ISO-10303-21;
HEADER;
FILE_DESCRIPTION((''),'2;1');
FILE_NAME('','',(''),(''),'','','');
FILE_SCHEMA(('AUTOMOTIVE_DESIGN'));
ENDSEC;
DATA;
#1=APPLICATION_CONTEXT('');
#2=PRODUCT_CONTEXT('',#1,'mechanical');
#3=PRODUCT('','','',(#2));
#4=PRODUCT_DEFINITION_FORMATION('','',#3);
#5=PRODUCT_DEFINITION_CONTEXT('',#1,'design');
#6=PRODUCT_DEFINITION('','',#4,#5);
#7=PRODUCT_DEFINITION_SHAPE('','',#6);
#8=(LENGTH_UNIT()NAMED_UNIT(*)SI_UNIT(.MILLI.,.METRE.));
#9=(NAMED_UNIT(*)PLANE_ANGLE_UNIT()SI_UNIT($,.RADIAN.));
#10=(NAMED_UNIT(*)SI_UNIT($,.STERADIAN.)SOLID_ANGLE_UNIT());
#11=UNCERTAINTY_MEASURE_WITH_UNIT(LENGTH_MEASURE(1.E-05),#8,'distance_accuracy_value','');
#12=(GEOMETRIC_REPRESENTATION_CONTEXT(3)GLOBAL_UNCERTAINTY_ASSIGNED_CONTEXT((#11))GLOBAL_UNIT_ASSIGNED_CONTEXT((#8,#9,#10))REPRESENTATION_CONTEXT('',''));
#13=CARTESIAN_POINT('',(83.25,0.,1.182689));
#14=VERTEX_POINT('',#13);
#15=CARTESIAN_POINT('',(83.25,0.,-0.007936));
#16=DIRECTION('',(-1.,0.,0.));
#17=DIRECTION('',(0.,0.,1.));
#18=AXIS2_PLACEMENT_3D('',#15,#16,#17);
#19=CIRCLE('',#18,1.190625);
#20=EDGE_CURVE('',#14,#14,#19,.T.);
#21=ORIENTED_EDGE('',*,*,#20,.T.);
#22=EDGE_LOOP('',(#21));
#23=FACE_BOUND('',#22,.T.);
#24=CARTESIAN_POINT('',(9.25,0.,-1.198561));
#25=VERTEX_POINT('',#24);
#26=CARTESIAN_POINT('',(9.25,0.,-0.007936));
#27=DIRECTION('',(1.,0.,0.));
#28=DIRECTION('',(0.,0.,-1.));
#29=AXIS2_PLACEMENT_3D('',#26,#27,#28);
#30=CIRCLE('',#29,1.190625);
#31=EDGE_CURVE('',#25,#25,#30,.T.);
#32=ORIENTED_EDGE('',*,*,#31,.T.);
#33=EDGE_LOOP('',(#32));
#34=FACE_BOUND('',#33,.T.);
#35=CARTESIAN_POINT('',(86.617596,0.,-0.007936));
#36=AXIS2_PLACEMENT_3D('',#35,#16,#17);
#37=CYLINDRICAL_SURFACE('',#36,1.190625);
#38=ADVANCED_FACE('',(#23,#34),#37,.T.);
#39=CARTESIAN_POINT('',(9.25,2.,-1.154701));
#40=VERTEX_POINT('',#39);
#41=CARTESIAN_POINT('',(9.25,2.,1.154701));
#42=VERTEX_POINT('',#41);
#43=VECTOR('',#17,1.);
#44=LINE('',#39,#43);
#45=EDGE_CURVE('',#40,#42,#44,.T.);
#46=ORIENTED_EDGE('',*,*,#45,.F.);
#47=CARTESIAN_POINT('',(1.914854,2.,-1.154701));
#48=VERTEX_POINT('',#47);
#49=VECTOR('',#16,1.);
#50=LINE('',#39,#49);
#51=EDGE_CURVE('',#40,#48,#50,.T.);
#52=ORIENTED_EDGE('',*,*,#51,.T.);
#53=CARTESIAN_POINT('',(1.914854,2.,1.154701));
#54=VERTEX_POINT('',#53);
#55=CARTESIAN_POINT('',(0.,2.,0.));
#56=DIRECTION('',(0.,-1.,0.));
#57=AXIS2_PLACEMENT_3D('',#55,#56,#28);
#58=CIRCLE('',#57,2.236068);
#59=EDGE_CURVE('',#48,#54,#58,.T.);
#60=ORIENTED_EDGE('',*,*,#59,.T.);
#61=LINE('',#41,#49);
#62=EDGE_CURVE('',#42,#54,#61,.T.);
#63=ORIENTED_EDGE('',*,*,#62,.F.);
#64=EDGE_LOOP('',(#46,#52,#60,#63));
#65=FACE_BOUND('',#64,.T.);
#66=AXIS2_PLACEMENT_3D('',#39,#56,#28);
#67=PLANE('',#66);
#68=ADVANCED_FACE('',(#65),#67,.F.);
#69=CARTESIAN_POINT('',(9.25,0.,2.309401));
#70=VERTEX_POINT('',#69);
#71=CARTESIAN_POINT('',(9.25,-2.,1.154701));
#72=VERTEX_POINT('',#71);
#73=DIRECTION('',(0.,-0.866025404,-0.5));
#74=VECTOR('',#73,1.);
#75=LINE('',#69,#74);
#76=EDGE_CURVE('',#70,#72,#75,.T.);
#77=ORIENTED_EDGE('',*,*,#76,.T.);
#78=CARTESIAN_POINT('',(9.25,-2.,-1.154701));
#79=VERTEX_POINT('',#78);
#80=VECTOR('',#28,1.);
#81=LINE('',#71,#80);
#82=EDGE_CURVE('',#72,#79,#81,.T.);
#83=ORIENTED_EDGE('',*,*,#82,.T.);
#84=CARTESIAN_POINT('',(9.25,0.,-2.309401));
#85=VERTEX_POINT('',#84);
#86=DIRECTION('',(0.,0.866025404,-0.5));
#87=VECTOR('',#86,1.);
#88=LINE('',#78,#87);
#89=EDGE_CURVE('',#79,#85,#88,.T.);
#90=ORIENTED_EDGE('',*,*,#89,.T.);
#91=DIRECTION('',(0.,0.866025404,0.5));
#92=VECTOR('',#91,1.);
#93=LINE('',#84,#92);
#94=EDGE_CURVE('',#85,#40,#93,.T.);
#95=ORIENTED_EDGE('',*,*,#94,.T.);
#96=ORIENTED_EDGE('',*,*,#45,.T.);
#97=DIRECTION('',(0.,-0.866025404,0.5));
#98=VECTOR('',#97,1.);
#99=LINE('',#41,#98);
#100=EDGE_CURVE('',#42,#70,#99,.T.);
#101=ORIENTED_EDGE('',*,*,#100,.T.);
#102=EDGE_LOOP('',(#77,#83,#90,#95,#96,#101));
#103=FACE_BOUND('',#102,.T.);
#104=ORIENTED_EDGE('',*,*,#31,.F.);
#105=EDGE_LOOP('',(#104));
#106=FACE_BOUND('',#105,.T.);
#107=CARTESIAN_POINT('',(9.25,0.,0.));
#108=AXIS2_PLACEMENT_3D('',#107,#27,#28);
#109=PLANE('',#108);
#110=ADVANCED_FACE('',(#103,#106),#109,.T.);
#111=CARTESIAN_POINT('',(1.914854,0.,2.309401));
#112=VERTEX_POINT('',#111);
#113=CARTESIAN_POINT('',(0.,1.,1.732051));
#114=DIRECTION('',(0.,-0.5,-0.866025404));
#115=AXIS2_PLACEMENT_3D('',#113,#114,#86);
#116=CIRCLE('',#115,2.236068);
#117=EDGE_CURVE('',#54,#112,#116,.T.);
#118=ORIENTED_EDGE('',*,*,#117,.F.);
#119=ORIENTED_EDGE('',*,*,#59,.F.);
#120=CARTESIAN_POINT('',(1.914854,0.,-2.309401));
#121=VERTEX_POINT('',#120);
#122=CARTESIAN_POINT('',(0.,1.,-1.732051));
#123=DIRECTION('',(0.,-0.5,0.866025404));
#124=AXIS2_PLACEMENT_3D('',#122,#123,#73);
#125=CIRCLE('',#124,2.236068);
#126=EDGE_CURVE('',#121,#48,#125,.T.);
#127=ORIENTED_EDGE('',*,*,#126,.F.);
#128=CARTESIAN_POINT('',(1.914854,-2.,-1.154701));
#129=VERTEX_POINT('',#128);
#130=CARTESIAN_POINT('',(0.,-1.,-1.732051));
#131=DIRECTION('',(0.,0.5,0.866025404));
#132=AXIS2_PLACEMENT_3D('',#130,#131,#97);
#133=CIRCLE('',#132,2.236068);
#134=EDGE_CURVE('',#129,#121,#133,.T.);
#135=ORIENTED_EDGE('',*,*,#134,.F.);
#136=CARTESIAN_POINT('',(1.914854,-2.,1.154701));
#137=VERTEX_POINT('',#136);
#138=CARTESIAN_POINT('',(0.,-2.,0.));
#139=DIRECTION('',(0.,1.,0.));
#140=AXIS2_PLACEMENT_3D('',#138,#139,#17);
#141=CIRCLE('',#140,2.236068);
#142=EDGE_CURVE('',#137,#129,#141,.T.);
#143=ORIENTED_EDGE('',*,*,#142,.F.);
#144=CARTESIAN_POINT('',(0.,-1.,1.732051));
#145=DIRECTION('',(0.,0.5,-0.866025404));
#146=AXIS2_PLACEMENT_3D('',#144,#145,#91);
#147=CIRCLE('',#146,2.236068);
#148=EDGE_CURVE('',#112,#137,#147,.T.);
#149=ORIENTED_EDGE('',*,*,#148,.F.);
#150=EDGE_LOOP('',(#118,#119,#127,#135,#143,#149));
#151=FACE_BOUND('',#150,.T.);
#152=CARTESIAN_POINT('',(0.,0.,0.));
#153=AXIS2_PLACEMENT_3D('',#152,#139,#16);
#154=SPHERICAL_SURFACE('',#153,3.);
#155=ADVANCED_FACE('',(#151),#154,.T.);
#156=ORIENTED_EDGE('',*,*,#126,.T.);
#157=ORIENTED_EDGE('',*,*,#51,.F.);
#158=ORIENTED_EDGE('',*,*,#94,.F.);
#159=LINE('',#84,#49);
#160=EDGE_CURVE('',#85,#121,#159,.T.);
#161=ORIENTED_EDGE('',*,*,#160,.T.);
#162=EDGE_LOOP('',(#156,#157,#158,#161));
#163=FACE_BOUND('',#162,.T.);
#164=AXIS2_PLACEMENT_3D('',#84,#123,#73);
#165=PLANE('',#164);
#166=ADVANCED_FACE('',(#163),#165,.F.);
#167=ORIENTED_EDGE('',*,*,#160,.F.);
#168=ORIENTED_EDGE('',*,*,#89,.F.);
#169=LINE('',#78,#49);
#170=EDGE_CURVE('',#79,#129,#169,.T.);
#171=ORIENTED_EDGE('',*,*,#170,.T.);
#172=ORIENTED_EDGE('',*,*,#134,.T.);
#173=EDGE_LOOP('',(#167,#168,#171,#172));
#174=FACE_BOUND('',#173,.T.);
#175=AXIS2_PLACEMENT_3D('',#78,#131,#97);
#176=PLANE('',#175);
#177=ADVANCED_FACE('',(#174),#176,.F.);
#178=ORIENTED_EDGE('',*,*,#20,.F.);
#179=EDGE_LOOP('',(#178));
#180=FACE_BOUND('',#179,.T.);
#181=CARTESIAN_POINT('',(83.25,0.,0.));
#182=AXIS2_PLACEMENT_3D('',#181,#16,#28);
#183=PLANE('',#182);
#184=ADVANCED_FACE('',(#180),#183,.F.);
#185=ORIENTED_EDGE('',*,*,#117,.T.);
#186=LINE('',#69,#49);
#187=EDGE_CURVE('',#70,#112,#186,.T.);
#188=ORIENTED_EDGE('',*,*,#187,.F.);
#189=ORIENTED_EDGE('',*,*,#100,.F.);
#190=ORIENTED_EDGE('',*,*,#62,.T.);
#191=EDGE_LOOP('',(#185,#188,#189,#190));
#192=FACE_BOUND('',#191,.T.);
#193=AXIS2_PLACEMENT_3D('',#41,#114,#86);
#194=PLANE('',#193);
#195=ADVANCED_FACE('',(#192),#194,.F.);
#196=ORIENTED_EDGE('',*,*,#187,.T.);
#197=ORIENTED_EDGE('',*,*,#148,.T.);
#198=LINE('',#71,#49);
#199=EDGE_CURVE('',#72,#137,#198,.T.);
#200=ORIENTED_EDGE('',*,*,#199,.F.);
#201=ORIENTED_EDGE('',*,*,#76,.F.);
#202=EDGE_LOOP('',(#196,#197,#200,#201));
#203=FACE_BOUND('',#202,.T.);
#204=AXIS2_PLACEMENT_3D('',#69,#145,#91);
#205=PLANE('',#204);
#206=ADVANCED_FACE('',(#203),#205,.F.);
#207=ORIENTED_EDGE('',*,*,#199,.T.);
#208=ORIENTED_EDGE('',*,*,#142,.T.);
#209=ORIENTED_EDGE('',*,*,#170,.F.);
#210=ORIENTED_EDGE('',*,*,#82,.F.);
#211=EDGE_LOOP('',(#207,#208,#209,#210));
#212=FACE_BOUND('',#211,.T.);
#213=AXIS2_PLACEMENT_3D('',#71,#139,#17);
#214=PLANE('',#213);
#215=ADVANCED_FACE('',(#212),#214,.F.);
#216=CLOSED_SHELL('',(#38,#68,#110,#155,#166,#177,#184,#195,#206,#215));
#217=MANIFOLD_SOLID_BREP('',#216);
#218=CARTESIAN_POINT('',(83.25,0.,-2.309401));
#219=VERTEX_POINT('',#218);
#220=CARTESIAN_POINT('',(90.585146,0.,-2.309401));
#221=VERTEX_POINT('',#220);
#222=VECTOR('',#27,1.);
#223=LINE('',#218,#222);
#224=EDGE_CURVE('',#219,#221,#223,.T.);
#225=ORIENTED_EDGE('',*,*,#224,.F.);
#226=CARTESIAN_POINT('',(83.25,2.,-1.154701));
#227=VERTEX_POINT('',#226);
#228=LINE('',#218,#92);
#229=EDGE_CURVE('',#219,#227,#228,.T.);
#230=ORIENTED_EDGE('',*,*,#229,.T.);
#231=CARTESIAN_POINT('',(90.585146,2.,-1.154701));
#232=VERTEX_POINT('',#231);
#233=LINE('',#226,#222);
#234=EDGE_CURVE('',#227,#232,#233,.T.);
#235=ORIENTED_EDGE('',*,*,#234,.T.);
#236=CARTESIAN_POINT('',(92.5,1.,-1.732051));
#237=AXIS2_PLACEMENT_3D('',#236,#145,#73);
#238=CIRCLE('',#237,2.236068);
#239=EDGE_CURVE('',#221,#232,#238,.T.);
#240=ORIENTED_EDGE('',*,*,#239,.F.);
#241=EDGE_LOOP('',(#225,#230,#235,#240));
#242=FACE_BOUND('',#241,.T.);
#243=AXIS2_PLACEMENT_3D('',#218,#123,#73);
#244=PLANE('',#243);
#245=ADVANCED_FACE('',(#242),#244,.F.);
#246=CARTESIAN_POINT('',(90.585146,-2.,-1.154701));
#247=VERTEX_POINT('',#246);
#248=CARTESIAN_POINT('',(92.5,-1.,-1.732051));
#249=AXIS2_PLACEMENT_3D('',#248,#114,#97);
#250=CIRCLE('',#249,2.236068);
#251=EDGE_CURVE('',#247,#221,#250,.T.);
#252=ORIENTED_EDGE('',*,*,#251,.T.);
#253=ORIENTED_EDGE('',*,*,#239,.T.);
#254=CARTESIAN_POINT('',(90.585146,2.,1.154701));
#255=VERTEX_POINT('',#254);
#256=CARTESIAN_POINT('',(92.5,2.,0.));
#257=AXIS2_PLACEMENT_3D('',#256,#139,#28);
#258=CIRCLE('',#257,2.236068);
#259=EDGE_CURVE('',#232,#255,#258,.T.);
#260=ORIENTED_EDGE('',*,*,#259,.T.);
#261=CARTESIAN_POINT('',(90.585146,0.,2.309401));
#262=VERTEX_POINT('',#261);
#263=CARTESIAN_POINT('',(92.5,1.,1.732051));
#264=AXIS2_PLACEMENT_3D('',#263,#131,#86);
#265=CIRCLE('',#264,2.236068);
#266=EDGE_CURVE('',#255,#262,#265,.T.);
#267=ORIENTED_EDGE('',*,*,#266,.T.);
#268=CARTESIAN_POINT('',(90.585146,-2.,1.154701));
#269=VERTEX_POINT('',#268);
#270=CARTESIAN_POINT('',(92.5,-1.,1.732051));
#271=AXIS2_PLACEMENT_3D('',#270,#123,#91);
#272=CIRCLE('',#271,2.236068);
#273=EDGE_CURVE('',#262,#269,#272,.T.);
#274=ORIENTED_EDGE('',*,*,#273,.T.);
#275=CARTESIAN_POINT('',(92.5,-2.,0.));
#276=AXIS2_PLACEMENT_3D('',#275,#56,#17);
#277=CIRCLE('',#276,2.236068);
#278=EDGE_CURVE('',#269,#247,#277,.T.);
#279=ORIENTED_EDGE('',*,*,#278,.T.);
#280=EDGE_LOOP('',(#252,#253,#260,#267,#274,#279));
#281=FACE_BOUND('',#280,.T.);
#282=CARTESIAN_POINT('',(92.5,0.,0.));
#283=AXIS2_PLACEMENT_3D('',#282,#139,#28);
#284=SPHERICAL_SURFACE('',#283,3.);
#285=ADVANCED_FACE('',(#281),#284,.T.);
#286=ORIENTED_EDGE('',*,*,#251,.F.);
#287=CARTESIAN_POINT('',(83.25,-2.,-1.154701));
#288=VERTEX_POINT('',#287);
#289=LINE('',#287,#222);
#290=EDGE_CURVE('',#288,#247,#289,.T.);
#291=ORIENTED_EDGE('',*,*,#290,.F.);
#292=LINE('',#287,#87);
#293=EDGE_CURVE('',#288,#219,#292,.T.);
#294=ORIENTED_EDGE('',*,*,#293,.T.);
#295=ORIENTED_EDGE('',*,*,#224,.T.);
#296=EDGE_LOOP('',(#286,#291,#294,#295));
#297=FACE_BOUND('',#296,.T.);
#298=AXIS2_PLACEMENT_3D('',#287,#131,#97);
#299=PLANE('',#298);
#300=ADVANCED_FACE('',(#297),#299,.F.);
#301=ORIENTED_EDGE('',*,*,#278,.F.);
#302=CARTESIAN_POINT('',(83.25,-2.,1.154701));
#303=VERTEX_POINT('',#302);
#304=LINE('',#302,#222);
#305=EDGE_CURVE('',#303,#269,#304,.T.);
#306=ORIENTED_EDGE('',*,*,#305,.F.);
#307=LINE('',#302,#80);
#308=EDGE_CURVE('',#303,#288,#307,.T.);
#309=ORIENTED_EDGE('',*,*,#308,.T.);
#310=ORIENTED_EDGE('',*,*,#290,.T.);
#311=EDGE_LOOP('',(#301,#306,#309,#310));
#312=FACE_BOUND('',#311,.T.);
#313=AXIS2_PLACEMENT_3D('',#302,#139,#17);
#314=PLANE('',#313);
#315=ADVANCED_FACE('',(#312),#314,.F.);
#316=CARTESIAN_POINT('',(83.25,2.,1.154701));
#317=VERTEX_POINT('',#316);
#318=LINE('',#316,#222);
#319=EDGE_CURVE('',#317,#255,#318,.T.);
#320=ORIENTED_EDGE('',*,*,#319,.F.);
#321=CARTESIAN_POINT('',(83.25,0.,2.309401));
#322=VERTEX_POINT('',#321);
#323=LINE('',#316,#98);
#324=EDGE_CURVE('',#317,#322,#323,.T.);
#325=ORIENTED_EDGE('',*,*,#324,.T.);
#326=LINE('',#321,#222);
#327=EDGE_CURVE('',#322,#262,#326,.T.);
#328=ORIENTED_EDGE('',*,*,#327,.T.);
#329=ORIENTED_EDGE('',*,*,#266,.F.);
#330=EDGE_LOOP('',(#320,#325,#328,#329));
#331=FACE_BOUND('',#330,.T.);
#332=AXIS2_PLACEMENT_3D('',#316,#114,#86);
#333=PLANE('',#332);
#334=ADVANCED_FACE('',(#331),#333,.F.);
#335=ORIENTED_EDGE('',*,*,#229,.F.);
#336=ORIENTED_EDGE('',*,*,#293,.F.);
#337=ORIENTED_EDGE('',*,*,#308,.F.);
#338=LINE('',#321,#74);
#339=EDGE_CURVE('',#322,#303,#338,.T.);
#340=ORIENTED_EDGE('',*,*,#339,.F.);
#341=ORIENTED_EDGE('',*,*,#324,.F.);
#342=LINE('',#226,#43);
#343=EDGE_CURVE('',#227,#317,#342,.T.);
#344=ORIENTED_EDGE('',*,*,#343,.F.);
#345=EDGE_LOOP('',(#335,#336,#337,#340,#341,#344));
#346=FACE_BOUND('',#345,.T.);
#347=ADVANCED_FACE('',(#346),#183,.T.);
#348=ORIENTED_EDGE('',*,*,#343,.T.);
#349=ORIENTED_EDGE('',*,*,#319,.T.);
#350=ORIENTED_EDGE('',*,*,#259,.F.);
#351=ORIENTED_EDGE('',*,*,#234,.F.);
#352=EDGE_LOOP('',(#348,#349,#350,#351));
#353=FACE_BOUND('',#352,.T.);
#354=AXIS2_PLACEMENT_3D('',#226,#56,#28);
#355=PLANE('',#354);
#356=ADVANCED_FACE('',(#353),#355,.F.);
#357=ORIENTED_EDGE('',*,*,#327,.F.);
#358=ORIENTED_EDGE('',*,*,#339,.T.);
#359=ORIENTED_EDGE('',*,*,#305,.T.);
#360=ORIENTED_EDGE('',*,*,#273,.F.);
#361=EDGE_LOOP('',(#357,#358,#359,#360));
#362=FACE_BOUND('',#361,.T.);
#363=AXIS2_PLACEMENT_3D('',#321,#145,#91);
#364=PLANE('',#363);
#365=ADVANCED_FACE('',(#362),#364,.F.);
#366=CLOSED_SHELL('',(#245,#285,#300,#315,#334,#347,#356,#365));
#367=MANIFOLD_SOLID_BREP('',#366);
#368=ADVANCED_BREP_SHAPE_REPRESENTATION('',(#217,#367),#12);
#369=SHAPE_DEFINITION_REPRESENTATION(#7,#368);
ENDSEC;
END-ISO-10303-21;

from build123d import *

# Parameters (mm, degrees)
BOSS_EXTRUDE2_DEPTH = 9.25
SKETCH5_R           = 1.190625
BOSS_EXTRUDE3_DEPTH = 74


with BuildPart() as part:
    # Sketch2 → Revolve1 (revolve)
    with BuildSketch(Plane.XY):
        with BuildLine():
            Line((0, 3), (0, -3))
            ThreePointArc((0, -3), (3, 0), (0, 3))
        make_face()
    revolve(axis=Axis((0, 3, 0), (0, -1, 0)))

    # Sketch3 → Boss-Extrude2 (add)
    with BuildSketch(Plane(origin=(0, 0, 0), x_dir=(0, 0, -1), z_dir=(1, 0, 0))):
        Polygon((1.154700538, -2), (2.309401077, 0), (1.154700538, 2), (-1.154700538, 2), (-2.309401077, 0), (-1.154700538, -2), align=None)
    boss_extrude2 = extrude(amount=BOSS_EXTRUDE2_DEPTH)

    # Sketch5 → Boss-Extrude3 (add)
    with BuildSketch(Plane(origin=(9.25, 0, 0), x_dir=(0, 0, -1), z_dir=(1, 0, 0))):
        with Locations(Location((0.007936131, 0, 0), (0, 0, 180))):
            Circle(SKETCH5_R)
    extrude(amount=BOSS_EXTRUDE3_DEPTH)


with BuildPart() as body_2:
    # Sketch7 → Revolve2 (revolve)
    with BuildSketch(Plane(origin=(92.5, 0, 0), x_dir=(0, 0, -1), z_dir=(1, 0, 0))):
        with BuildLine():
            ThreePointArc((0, 3), (3, 0), (0, -3))
            Line((0, -3), (0, 3))
        make_face()
    revolve(axis=Axis((92.5, 3, 0), (0, -1, 0)))

    # Mirror3: Boss-Extrude2 across plane
    add(boss_extrude2.mirror(Plane(origin=(46.25, 0, 0), x_dir=(0, 0, 1), z_dir=(1, 0, 0))))


solid = Compound([part.part, body_2.part])
